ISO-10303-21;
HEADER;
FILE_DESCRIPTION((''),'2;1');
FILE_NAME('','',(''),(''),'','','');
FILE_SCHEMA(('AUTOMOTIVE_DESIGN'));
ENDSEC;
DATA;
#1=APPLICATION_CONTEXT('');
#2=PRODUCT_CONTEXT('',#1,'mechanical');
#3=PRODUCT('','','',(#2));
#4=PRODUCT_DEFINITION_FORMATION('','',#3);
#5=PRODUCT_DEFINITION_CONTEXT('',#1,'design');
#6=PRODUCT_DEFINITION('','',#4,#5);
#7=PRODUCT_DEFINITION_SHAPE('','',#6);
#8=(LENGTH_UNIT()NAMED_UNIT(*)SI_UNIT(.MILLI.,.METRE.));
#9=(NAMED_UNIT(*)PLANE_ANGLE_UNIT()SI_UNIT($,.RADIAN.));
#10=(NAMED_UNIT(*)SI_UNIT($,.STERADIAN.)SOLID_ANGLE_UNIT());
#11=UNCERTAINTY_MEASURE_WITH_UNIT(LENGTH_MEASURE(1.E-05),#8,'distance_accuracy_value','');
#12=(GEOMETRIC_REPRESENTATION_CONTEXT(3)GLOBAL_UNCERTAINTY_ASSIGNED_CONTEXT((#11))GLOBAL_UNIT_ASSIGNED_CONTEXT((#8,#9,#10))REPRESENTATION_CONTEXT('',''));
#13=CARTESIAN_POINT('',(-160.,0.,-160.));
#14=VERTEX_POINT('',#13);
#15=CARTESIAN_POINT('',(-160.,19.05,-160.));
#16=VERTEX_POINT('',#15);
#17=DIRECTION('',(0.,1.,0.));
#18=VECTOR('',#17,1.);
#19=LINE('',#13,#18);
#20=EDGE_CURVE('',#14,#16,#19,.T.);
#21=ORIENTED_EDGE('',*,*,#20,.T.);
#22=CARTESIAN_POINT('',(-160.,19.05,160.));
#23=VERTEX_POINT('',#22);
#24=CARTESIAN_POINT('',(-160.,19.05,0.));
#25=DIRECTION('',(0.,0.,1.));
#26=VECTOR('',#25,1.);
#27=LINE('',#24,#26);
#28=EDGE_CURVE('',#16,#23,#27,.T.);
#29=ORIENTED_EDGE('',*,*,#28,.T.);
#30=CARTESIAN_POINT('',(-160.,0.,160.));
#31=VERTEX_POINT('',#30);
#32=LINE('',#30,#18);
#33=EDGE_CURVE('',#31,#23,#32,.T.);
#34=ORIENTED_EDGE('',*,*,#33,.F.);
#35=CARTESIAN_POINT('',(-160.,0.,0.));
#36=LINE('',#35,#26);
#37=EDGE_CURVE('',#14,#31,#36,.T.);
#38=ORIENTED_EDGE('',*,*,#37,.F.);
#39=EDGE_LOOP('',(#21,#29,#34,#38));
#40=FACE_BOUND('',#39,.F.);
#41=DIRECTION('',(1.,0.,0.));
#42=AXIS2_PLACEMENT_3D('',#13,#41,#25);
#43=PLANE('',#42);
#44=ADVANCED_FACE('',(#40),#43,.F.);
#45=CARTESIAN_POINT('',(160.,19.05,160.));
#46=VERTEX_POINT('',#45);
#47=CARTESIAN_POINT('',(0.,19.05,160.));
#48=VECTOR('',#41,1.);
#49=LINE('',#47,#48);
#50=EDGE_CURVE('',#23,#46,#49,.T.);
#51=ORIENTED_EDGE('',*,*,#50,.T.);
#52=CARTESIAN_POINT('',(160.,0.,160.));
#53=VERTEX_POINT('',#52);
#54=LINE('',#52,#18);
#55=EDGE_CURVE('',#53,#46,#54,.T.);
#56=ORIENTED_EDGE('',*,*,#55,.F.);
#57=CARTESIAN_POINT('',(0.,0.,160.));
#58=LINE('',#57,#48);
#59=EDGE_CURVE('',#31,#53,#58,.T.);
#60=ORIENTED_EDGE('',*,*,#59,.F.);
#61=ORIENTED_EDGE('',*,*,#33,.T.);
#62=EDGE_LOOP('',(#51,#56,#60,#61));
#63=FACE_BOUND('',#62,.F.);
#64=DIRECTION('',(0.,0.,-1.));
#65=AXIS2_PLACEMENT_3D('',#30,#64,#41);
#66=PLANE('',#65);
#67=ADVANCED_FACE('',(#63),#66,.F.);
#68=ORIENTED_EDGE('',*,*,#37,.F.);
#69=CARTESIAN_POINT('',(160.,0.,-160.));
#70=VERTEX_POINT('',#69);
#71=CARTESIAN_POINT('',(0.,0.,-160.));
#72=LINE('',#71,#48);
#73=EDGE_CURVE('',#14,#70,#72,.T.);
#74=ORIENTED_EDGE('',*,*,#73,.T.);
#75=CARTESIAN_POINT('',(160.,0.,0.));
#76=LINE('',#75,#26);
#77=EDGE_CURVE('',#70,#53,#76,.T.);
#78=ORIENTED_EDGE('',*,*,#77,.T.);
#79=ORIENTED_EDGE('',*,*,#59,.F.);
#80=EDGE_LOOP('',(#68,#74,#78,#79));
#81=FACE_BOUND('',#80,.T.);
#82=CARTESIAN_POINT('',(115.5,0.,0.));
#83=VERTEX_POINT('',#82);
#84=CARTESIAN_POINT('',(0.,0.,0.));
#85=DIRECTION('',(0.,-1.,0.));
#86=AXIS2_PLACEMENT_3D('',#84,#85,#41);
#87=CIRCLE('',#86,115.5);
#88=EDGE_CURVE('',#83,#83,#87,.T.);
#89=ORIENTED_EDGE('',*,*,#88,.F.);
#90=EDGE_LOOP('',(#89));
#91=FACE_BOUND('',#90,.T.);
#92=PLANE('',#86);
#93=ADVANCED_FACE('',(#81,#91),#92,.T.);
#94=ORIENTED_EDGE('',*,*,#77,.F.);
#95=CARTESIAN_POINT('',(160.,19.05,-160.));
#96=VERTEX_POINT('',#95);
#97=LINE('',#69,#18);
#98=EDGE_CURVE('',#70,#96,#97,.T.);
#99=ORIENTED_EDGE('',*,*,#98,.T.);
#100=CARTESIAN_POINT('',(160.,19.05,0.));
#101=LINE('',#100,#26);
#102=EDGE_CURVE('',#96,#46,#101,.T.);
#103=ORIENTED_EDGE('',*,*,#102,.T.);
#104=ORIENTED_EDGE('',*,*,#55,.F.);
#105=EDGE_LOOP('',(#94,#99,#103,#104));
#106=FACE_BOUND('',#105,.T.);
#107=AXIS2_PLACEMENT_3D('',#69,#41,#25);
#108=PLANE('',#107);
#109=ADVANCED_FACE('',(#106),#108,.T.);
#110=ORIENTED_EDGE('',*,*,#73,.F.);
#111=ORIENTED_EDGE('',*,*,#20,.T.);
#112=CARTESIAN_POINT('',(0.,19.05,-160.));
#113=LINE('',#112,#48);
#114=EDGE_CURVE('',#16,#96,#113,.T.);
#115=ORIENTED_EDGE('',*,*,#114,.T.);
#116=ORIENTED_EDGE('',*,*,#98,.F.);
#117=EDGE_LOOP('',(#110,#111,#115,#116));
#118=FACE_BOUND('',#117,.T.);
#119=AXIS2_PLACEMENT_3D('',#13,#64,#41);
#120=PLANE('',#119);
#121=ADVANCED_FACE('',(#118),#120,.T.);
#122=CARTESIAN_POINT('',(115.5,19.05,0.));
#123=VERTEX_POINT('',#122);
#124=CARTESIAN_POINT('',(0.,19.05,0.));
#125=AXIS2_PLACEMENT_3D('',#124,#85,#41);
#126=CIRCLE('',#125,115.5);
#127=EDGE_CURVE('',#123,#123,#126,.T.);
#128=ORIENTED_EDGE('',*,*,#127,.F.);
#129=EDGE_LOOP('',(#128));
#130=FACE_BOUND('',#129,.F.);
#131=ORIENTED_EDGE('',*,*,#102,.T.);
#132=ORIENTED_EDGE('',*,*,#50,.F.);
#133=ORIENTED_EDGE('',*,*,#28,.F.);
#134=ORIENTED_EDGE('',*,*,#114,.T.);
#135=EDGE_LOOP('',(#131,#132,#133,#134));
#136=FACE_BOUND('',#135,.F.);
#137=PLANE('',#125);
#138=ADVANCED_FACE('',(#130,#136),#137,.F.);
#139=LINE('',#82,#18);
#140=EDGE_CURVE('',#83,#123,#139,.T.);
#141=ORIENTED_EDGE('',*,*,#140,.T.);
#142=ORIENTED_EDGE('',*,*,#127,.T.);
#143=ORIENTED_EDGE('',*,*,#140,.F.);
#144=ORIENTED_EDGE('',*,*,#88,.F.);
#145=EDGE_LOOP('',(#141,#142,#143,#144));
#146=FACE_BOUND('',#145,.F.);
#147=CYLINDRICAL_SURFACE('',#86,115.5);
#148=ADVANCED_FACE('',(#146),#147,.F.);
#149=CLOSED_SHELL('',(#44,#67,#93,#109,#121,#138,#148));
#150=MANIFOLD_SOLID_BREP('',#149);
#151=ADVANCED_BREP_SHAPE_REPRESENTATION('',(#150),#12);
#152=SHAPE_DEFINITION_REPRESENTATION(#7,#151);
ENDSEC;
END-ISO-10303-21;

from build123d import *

# Parameters (mm, degrees)
F0_W     = 320
F0_H     = 320
F0_R     = 115.5
F1_DEPTH = 19.05


with BuildPart() as f1:
    # F0 (on Front) → F1 (new body)
    with BuildSketch(Plane.XZ):
        Rectangle(F0_W, F0_H)
        Circle(F0_R, mode=Mode.SUBTRACT)
    extrude(amount=-F1_DEPTH)


solid = f1.part
